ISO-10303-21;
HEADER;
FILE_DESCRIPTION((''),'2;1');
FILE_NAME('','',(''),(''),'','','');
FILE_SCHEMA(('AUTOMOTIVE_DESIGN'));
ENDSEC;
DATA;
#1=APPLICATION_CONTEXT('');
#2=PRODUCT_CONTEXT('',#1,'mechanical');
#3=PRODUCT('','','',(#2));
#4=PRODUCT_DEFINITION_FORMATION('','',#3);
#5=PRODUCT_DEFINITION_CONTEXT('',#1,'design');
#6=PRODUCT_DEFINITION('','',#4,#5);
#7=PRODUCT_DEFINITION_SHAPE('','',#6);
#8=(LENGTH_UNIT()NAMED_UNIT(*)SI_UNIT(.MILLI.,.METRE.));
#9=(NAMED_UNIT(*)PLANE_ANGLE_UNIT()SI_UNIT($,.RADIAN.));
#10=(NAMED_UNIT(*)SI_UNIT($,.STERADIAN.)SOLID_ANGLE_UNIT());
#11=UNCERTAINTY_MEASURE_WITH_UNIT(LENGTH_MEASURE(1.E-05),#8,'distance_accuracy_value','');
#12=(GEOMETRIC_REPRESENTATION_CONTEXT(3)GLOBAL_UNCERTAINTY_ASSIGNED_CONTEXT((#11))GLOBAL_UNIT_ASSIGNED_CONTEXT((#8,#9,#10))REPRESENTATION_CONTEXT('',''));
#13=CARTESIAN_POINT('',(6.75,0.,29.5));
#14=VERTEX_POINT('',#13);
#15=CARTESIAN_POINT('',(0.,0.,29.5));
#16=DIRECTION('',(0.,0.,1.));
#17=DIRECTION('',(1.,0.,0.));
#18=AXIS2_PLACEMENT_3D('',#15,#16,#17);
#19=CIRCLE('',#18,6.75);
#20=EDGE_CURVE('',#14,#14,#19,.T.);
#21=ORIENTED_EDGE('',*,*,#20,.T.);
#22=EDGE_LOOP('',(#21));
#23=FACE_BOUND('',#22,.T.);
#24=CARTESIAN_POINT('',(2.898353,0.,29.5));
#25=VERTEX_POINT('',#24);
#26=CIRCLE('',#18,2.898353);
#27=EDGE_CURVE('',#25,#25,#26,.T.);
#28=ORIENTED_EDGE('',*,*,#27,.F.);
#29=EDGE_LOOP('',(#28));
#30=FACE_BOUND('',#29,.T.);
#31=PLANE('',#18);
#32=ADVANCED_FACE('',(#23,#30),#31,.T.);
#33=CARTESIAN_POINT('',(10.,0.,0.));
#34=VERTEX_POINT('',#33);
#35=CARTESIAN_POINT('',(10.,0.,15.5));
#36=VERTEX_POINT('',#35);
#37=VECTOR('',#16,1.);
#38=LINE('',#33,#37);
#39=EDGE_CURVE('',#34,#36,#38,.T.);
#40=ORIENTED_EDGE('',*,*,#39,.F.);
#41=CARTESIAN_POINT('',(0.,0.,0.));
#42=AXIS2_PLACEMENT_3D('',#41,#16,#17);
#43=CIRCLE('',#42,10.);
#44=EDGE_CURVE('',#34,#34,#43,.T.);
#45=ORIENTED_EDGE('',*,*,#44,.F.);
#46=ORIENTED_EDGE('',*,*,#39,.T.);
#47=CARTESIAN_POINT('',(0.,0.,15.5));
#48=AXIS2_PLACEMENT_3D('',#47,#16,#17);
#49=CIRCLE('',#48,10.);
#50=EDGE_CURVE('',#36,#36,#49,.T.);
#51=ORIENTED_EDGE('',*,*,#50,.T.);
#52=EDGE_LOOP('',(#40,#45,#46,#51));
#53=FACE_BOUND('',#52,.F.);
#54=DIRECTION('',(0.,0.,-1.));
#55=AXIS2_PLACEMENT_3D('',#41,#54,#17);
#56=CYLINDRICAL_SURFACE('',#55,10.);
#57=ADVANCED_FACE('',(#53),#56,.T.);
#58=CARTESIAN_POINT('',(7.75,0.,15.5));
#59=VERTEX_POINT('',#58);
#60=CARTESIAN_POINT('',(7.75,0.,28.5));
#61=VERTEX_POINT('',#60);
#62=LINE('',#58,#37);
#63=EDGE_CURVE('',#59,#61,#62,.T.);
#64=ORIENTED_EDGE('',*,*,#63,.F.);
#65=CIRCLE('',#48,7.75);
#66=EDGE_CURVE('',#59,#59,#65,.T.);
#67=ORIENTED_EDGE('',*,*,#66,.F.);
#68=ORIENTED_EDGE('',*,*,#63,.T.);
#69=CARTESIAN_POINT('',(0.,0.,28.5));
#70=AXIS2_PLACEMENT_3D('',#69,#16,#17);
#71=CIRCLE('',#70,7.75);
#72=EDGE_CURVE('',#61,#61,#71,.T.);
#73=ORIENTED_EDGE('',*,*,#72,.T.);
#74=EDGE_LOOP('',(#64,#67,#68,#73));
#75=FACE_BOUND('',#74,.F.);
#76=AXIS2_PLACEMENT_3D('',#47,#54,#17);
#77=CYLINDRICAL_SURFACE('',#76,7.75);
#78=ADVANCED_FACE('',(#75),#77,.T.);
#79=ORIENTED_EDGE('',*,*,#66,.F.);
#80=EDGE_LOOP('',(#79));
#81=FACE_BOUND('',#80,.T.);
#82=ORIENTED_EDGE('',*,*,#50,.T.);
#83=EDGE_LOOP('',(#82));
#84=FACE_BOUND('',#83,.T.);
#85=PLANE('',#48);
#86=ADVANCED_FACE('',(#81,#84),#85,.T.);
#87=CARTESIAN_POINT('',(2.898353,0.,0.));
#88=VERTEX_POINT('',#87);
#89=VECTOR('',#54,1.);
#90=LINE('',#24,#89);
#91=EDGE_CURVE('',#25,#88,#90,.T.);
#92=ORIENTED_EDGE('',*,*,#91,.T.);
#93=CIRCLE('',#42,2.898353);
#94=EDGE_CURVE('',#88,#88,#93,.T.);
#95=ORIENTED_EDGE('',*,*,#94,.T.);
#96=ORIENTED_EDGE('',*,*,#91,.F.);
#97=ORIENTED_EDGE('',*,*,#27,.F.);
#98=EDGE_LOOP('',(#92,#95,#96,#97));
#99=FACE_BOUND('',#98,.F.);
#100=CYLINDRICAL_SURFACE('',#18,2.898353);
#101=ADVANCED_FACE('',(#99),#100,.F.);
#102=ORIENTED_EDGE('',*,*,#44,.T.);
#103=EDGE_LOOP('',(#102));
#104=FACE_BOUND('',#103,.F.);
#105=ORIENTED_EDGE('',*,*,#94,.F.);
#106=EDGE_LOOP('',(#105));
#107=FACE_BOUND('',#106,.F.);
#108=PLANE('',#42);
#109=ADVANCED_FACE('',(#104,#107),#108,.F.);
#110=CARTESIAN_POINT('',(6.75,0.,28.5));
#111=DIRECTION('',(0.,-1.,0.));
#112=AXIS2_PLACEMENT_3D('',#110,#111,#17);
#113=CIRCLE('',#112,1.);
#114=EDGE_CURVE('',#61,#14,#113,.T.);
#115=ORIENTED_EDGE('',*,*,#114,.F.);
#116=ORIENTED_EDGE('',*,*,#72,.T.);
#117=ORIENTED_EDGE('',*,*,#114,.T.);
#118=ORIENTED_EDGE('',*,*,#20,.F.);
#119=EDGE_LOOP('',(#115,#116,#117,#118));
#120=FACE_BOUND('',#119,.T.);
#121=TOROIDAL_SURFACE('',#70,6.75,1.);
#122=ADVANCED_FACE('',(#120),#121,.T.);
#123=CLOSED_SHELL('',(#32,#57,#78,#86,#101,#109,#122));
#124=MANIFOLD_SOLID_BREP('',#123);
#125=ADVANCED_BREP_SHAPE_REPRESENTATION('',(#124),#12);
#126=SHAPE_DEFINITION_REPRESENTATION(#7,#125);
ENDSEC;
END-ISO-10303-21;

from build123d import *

# Parameters (mm, degrees)
F0_R     = 10
F1_DEPTH = 15.5
F2_R     = 7.75
F3_DEPTH = 14
F4_R     = 2.898353
F5_DEPTH = 31
F6_R     = 1


with BuildPart() as f1:
    # F0 (on Top) → F1 (new body)
    with BuildSketch(Plane.XY):
        Circle(F0_R)
    extrude(amount=F1_DEPTH)

    # F2 (on face) → F3 (join)
    with BuildSketch(Plane.XY.offset(15.5)):
        Circle(F2_R)
    extrude(amount=F3_DEPTH)

    # F4 (on face) → F5 (cut)
    with BuildSketch(Plane.XY.offset(29.5)):
        Circle(F4_R)
    extrude(amount=-F5_DEPTH, mode=Mode.SUBTRACT)

    # F6
    f6_edges = [f1.edges().sort_by_distance(p)[0] for p in [
        (-7.75, 0, 29.5),
    ]]
    fillet(f6_edges, radius=F6_R)


solid = f1.part
